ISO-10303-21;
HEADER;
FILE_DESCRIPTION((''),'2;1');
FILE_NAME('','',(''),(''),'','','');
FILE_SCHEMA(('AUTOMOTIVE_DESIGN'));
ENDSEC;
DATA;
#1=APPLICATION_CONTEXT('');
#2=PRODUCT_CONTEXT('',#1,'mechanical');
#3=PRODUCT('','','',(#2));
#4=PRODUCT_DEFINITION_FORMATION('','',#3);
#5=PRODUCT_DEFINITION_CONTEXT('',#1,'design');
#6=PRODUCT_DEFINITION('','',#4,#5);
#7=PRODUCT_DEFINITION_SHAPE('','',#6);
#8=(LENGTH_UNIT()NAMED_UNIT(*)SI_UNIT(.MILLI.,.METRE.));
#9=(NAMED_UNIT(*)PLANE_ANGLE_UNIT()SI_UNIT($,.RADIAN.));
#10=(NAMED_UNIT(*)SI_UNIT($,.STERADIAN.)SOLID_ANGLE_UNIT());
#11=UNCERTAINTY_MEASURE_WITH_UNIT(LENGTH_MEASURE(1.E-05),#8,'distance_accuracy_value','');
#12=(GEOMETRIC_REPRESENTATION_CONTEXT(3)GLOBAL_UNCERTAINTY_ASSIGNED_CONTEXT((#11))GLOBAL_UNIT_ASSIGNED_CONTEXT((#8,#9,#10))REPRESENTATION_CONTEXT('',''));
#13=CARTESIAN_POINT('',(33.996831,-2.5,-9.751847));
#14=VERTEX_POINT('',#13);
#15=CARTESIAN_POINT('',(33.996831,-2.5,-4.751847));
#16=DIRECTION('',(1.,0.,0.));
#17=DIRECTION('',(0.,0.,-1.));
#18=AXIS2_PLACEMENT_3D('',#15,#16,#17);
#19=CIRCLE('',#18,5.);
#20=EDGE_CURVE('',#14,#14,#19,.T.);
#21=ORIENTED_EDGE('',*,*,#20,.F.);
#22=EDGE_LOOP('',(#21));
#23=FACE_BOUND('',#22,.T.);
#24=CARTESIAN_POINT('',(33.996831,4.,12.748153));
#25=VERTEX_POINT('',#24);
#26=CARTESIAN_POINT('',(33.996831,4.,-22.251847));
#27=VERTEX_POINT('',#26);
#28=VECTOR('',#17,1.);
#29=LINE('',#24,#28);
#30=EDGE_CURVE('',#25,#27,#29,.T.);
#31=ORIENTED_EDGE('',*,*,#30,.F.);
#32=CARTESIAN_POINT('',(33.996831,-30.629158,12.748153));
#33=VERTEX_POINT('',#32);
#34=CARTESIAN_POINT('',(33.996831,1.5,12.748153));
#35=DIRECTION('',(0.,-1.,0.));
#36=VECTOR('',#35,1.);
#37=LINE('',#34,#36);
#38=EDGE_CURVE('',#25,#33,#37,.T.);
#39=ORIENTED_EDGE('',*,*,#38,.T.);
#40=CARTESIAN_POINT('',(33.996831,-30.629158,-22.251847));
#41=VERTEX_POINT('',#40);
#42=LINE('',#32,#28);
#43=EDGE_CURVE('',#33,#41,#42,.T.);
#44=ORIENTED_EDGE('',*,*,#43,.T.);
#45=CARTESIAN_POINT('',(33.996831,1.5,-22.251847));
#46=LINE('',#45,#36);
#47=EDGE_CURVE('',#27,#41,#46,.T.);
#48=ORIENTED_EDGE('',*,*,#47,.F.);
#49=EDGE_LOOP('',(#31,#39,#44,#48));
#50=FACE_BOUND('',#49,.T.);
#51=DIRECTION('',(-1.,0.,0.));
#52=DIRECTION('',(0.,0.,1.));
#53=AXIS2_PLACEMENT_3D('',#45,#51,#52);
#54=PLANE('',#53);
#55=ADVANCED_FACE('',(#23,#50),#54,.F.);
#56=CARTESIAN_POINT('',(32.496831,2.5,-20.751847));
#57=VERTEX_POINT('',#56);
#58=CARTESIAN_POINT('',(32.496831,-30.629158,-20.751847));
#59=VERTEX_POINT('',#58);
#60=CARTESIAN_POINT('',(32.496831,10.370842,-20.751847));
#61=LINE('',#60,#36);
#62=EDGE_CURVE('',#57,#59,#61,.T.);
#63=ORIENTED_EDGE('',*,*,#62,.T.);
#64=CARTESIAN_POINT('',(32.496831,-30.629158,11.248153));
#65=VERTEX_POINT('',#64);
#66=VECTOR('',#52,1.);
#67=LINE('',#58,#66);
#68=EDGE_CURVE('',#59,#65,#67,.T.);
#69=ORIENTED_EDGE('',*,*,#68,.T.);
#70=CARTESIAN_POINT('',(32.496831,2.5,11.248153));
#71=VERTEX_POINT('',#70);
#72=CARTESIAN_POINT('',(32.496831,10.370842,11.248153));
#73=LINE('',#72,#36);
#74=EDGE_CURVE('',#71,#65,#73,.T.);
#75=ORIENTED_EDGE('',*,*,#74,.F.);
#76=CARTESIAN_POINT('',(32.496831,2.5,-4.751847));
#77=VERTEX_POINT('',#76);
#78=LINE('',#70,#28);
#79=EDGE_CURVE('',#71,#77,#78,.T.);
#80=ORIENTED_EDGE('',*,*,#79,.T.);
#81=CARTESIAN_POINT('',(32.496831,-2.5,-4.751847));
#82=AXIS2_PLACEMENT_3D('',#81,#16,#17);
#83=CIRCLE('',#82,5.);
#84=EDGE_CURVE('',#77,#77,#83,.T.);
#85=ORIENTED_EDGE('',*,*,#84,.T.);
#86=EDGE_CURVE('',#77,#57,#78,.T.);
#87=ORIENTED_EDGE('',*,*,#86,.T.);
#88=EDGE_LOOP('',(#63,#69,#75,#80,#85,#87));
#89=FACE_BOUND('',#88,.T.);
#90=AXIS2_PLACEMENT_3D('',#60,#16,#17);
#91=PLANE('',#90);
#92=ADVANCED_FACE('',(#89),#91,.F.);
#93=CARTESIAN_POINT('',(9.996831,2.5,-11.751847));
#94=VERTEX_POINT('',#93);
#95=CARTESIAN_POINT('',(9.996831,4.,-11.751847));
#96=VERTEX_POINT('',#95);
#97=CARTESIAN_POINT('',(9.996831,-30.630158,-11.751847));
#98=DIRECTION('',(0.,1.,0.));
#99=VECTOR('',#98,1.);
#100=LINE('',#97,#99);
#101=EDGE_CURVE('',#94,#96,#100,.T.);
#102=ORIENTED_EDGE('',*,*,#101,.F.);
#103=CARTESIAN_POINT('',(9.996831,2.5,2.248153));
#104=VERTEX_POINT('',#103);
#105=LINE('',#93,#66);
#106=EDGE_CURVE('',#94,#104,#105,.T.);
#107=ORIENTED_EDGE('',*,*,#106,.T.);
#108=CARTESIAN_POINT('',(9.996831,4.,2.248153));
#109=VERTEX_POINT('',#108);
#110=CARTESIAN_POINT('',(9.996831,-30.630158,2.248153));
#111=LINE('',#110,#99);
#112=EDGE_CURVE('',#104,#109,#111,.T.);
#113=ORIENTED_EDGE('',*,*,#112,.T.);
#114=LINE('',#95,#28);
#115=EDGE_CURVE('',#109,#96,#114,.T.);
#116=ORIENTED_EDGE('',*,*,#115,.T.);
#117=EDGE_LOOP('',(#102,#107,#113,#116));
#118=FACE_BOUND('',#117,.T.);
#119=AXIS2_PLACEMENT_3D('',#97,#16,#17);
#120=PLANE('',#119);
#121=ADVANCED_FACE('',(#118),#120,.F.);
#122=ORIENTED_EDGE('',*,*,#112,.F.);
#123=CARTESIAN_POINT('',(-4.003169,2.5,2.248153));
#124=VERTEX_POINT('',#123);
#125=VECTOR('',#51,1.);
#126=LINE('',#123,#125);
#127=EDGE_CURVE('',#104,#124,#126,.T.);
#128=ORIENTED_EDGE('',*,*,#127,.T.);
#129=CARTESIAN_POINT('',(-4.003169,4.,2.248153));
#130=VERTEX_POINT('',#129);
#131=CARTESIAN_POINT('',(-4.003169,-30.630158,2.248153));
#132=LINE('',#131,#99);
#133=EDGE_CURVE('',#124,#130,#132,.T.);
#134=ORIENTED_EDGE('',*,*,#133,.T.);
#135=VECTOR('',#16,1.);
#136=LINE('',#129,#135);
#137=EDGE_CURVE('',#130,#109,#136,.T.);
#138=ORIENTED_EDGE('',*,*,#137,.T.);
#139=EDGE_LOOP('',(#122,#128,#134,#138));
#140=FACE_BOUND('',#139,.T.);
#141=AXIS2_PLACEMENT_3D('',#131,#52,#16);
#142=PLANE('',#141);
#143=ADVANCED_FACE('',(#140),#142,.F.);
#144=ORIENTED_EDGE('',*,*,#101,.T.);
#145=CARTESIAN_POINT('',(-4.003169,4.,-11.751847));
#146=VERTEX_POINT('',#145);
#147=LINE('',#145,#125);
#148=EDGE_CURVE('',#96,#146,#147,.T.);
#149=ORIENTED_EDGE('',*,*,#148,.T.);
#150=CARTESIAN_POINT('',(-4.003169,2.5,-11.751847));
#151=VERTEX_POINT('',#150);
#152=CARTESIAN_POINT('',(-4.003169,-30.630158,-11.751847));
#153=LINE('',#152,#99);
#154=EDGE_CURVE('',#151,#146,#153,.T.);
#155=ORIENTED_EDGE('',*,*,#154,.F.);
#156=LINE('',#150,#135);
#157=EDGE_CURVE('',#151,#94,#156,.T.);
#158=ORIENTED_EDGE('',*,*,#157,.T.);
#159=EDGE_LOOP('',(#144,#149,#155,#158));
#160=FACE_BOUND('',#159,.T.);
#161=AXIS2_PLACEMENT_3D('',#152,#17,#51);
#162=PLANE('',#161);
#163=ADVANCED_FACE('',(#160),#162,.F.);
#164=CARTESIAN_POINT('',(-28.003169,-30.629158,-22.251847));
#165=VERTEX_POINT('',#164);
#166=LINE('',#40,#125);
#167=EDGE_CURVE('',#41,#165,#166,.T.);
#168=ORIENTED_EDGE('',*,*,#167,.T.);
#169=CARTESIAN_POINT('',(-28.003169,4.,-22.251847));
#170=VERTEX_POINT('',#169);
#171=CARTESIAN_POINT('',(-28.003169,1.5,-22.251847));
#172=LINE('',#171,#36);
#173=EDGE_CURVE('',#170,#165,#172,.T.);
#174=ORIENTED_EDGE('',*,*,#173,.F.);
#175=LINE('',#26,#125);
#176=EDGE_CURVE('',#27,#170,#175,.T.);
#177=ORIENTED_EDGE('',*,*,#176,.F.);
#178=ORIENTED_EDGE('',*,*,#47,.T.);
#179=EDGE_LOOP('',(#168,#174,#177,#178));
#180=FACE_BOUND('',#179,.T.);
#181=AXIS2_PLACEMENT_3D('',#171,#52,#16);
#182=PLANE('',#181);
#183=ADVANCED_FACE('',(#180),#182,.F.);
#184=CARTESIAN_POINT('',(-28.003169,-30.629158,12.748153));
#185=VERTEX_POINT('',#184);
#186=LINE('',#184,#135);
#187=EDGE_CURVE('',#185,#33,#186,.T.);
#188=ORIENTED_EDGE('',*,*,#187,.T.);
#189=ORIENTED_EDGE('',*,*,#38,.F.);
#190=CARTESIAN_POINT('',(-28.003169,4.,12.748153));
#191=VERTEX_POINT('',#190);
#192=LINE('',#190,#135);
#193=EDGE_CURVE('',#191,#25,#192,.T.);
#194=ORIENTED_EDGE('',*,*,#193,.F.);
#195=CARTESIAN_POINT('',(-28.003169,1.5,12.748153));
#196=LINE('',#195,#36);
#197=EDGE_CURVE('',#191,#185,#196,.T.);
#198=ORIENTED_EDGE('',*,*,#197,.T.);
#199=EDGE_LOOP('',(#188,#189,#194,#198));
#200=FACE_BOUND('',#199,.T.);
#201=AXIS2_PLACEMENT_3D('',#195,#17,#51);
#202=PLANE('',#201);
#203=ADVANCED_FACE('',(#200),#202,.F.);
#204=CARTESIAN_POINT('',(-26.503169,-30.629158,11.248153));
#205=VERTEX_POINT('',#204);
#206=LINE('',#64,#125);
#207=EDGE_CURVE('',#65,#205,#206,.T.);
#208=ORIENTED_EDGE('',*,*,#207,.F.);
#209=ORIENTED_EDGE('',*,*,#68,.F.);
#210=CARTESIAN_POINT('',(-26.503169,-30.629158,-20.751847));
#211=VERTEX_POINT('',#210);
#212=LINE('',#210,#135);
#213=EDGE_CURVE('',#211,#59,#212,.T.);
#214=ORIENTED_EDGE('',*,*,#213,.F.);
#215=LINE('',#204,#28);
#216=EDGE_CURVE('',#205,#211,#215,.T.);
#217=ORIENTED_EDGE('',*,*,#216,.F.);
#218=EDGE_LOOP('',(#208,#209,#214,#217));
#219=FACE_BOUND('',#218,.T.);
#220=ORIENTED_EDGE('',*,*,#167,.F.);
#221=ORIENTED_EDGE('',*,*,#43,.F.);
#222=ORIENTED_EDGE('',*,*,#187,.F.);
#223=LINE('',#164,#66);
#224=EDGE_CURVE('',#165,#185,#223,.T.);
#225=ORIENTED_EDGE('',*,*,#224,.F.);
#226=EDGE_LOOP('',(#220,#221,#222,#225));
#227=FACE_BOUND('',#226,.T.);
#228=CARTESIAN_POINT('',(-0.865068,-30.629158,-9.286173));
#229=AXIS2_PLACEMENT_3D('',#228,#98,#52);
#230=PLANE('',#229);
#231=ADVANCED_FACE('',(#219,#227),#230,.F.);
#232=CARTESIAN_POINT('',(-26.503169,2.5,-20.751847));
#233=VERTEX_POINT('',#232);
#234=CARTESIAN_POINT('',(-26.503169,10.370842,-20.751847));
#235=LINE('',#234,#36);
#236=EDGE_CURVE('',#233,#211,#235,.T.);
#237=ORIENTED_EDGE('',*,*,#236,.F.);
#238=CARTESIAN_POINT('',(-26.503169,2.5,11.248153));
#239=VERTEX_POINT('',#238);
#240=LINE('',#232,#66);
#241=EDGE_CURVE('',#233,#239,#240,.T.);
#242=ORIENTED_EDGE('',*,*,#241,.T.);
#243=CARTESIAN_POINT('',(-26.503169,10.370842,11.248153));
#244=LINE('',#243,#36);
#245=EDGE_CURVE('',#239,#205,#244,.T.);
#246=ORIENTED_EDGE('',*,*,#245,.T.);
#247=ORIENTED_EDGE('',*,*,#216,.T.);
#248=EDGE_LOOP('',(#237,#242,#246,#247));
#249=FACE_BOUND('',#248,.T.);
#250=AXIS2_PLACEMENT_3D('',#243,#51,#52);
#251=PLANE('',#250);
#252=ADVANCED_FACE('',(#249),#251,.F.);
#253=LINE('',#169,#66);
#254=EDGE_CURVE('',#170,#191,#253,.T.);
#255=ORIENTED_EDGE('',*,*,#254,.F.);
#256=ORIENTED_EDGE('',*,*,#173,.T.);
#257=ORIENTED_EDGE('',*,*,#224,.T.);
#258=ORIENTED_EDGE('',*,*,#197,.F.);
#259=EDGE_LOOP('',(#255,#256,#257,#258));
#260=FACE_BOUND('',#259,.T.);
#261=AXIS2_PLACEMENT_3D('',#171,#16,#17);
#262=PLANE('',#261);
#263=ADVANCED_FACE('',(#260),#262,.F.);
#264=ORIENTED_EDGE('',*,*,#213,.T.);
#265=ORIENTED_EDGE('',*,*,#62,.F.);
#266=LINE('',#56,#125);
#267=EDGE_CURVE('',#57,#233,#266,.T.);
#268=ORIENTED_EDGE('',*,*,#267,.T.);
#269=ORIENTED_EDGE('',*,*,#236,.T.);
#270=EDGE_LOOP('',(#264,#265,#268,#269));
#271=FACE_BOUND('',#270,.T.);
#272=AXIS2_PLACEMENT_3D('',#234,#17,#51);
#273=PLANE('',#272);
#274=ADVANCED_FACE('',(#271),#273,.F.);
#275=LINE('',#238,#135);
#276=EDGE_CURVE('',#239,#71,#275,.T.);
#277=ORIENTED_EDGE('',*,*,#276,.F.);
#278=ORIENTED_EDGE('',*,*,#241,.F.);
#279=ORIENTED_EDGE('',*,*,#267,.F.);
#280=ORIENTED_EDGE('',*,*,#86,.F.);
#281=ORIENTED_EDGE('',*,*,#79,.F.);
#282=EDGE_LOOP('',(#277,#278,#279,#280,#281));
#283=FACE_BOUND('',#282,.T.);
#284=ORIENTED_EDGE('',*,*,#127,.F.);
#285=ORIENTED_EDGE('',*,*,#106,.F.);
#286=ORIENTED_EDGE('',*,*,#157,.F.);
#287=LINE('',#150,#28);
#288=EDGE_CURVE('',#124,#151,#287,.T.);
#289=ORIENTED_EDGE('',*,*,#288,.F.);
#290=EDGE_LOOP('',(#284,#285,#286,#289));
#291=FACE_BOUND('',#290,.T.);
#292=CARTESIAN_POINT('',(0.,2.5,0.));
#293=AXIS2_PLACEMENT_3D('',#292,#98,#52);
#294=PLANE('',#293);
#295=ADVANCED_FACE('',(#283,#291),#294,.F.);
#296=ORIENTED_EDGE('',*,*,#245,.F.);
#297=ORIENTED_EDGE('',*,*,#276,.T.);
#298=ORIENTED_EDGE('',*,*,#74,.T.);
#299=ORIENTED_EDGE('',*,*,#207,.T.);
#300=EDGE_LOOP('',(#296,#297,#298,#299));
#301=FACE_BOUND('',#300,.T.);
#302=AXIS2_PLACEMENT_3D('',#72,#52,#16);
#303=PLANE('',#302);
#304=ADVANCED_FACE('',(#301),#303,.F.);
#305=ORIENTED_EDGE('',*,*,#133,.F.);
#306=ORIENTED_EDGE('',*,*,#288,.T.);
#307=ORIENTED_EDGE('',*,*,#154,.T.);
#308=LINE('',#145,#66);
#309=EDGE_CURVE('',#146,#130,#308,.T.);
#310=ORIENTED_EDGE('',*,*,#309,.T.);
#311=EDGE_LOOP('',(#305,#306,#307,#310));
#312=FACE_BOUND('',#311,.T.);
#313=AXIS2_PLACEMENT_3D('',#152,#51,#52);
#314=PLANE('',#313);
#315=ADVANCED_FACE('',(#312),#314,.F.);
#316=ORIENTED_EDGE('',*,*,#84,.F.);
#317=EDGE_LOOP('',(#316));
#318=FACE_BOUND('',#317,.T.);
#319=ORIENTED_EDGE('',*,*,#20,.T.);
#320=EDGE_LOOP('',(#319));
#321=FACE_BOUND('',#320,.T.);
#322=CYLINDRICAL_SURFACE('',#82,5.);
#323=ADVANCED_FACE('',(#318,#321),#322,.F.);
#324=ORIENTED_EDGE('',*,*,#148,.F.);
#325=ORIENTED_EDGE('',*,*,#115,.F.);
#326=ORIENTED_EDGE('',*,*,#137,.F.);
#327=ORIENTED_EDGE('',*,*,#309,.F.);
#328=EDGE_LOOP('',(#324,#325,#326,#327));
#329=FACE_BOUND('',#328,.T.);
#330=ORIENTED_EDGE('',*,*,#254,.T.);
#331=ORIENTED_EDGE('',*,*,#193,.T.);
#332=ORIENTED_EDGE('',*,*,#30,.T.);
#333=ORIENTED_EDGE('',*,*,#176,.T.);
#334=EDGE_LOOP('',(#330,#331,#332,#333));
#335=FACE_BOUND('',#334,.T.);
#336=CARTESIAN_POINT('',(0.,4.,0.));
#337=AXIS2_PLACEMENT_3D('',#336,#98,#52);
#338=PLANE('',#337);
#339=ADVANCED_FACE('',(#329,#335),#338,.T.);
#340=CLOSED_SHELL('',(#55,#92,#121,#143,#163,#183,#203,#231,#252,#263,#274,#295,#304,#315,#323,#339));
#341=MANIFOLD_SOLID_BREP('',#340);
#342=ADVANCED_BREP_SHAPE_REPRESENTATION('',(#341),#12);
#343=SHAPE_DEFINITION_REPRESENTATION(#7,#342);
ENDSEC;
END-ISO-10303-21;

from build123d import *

# Parameters (mm, degrees)
SKETCH_1_W          = 62
SKETCH_1_H          = 35
EXTRUDE_1_DEPTH     = 1.5
SKETCH_2_W          = 62
SKETCH_2_H          = 35
EXTRUDE_2_DEPTH     = 30.629158
SKETCH_3_W          = 59
SKETCH_3_H          = 32
CUT_EXTRUDE_1_DEPTH = 41
SKETCH_4_W          = 62
SKETCH_4_H          = 35
SKETCH_4_W_2        = 59
SKETCH_4_H_2        = 32
EXTRUDE_3_DEPTH     = 1
SKETCH_5_W          = 62
SKETCH_5_H          = 35
EXTRUDE_4_DEPTH     = 1.5
SKETCH_8_R          = 5
CUT_EXTRUDE_3_DEPTH = 1.5
CUT_EXTRUDE_4_REACH = 36.629
SKETCH_10_W         = 14
SKETCH_10_H         = 14


with BuildPart() as part:
    # 草图1 → 凸台-拉伸1 (new body)
    with BuildSketch(Plane(origin=(0, 0, 0), x_dir=(1, 0, 0), z_dir=(0, 1, 0))):
        with Locations((2.996831225, 4.751847291)):
            Rectangle(SKETCH_1_W, SKETCH_1_H)
    extrude(amount=EXTRUDE_1_DEPTH)

    # 草图2 → 凸台-拉伸2 (add)
    with BuildSketch(Plane.XZ):
        with Locations((2.996831225, -4.751847291)):
            Rectangle(SKETCH_2_W, SKETCH_2_H)
    extrude(amount=EXTRUDE_2_DEPTH)

    # 草图3 → 切除-拉伸1 (cut)
    with BuildSketch(Plane.XZ.offset(30.629158461)):
        with Locations((2.996831225, -4.751847291)):
            Rectangle(SKETCH_3_W, SKETCH_3_H)
    extrude(amount=-CUT_EXTRUDE_1_DEPTH, mode=Mode.SUBTRACT)

    # 草图4 → 凸台-拉伸3 (add)
    with BuildSketch(Plane(origin=(0, 1.5, 0), x_dir=(1, 0, 0), z_dir=(0, 1, 0))):
        with Locations((2.996831225, 4.751847291)):
            Rectangle(SKETCH_4_W, SKETCH_4_H)
        with Locations((2.996831225, 4.751847291)):
            Rectangle(SKETCH_4_W_2, SKETCH_4_H_2, mode=Mode.SUBTRACT)
    extrude(amount=EXTRUDE_3_DEPTH)

    # 草图5 → 凸台-拉伸4 (add)
    with BuildSketch(Plane(origin=(0, 2.5, 0), x_dir=(1, 0, 0), z_dir=(0, 1, 0))):
        with Locations((2.996831225, 4.751847291)):
            Rectangle(SKETCH_5_W, SKETCH_5_H)
    extrude(amount=EXTRUDE_4_DEPTH)

    # 草图8 → 切除-拉伸3 (cut)
    with BuildSketch(Plane(origin=(33.996831225, 0, 0), x_dir=(0, 0, -1), z_dir=(1, 0, 0))):
        with Locations((4.751847291, -2.5)):
            Circle(SKETCH_8_R)
    extrude(amount=-CUT_EXTRUDE_3_DEPTH, mode=Mode.SUBTRACT)

    # 草图10 → 切除-拉伸4 (cut, up to next)
    with BuildSketch(Plane(origin=(0, 4, 0), x_dir=(1, 0, 0), z_dir=(0, 1, 0)), mode=Mode.PRIVATE) as cut_extrude_4_sk1:
        with Locations((2.996831225, 4.751847291)):
            Rectangle(SKETCH_10_W, SKETCH_10_H)
    cut_extrude_4_tool1 = extrude(cut_extrude_4_sk1.sketch, amount=-CUT_EXTRUDE_4_REACH, mode=Mode.PRIVATE) & part.part
    add(cut_extrude_4_tool1.solids().sort_by_distance((2.996831, 4, -4.751847))[0], mode=Mode.SUBTRACT)


solid = part.part
